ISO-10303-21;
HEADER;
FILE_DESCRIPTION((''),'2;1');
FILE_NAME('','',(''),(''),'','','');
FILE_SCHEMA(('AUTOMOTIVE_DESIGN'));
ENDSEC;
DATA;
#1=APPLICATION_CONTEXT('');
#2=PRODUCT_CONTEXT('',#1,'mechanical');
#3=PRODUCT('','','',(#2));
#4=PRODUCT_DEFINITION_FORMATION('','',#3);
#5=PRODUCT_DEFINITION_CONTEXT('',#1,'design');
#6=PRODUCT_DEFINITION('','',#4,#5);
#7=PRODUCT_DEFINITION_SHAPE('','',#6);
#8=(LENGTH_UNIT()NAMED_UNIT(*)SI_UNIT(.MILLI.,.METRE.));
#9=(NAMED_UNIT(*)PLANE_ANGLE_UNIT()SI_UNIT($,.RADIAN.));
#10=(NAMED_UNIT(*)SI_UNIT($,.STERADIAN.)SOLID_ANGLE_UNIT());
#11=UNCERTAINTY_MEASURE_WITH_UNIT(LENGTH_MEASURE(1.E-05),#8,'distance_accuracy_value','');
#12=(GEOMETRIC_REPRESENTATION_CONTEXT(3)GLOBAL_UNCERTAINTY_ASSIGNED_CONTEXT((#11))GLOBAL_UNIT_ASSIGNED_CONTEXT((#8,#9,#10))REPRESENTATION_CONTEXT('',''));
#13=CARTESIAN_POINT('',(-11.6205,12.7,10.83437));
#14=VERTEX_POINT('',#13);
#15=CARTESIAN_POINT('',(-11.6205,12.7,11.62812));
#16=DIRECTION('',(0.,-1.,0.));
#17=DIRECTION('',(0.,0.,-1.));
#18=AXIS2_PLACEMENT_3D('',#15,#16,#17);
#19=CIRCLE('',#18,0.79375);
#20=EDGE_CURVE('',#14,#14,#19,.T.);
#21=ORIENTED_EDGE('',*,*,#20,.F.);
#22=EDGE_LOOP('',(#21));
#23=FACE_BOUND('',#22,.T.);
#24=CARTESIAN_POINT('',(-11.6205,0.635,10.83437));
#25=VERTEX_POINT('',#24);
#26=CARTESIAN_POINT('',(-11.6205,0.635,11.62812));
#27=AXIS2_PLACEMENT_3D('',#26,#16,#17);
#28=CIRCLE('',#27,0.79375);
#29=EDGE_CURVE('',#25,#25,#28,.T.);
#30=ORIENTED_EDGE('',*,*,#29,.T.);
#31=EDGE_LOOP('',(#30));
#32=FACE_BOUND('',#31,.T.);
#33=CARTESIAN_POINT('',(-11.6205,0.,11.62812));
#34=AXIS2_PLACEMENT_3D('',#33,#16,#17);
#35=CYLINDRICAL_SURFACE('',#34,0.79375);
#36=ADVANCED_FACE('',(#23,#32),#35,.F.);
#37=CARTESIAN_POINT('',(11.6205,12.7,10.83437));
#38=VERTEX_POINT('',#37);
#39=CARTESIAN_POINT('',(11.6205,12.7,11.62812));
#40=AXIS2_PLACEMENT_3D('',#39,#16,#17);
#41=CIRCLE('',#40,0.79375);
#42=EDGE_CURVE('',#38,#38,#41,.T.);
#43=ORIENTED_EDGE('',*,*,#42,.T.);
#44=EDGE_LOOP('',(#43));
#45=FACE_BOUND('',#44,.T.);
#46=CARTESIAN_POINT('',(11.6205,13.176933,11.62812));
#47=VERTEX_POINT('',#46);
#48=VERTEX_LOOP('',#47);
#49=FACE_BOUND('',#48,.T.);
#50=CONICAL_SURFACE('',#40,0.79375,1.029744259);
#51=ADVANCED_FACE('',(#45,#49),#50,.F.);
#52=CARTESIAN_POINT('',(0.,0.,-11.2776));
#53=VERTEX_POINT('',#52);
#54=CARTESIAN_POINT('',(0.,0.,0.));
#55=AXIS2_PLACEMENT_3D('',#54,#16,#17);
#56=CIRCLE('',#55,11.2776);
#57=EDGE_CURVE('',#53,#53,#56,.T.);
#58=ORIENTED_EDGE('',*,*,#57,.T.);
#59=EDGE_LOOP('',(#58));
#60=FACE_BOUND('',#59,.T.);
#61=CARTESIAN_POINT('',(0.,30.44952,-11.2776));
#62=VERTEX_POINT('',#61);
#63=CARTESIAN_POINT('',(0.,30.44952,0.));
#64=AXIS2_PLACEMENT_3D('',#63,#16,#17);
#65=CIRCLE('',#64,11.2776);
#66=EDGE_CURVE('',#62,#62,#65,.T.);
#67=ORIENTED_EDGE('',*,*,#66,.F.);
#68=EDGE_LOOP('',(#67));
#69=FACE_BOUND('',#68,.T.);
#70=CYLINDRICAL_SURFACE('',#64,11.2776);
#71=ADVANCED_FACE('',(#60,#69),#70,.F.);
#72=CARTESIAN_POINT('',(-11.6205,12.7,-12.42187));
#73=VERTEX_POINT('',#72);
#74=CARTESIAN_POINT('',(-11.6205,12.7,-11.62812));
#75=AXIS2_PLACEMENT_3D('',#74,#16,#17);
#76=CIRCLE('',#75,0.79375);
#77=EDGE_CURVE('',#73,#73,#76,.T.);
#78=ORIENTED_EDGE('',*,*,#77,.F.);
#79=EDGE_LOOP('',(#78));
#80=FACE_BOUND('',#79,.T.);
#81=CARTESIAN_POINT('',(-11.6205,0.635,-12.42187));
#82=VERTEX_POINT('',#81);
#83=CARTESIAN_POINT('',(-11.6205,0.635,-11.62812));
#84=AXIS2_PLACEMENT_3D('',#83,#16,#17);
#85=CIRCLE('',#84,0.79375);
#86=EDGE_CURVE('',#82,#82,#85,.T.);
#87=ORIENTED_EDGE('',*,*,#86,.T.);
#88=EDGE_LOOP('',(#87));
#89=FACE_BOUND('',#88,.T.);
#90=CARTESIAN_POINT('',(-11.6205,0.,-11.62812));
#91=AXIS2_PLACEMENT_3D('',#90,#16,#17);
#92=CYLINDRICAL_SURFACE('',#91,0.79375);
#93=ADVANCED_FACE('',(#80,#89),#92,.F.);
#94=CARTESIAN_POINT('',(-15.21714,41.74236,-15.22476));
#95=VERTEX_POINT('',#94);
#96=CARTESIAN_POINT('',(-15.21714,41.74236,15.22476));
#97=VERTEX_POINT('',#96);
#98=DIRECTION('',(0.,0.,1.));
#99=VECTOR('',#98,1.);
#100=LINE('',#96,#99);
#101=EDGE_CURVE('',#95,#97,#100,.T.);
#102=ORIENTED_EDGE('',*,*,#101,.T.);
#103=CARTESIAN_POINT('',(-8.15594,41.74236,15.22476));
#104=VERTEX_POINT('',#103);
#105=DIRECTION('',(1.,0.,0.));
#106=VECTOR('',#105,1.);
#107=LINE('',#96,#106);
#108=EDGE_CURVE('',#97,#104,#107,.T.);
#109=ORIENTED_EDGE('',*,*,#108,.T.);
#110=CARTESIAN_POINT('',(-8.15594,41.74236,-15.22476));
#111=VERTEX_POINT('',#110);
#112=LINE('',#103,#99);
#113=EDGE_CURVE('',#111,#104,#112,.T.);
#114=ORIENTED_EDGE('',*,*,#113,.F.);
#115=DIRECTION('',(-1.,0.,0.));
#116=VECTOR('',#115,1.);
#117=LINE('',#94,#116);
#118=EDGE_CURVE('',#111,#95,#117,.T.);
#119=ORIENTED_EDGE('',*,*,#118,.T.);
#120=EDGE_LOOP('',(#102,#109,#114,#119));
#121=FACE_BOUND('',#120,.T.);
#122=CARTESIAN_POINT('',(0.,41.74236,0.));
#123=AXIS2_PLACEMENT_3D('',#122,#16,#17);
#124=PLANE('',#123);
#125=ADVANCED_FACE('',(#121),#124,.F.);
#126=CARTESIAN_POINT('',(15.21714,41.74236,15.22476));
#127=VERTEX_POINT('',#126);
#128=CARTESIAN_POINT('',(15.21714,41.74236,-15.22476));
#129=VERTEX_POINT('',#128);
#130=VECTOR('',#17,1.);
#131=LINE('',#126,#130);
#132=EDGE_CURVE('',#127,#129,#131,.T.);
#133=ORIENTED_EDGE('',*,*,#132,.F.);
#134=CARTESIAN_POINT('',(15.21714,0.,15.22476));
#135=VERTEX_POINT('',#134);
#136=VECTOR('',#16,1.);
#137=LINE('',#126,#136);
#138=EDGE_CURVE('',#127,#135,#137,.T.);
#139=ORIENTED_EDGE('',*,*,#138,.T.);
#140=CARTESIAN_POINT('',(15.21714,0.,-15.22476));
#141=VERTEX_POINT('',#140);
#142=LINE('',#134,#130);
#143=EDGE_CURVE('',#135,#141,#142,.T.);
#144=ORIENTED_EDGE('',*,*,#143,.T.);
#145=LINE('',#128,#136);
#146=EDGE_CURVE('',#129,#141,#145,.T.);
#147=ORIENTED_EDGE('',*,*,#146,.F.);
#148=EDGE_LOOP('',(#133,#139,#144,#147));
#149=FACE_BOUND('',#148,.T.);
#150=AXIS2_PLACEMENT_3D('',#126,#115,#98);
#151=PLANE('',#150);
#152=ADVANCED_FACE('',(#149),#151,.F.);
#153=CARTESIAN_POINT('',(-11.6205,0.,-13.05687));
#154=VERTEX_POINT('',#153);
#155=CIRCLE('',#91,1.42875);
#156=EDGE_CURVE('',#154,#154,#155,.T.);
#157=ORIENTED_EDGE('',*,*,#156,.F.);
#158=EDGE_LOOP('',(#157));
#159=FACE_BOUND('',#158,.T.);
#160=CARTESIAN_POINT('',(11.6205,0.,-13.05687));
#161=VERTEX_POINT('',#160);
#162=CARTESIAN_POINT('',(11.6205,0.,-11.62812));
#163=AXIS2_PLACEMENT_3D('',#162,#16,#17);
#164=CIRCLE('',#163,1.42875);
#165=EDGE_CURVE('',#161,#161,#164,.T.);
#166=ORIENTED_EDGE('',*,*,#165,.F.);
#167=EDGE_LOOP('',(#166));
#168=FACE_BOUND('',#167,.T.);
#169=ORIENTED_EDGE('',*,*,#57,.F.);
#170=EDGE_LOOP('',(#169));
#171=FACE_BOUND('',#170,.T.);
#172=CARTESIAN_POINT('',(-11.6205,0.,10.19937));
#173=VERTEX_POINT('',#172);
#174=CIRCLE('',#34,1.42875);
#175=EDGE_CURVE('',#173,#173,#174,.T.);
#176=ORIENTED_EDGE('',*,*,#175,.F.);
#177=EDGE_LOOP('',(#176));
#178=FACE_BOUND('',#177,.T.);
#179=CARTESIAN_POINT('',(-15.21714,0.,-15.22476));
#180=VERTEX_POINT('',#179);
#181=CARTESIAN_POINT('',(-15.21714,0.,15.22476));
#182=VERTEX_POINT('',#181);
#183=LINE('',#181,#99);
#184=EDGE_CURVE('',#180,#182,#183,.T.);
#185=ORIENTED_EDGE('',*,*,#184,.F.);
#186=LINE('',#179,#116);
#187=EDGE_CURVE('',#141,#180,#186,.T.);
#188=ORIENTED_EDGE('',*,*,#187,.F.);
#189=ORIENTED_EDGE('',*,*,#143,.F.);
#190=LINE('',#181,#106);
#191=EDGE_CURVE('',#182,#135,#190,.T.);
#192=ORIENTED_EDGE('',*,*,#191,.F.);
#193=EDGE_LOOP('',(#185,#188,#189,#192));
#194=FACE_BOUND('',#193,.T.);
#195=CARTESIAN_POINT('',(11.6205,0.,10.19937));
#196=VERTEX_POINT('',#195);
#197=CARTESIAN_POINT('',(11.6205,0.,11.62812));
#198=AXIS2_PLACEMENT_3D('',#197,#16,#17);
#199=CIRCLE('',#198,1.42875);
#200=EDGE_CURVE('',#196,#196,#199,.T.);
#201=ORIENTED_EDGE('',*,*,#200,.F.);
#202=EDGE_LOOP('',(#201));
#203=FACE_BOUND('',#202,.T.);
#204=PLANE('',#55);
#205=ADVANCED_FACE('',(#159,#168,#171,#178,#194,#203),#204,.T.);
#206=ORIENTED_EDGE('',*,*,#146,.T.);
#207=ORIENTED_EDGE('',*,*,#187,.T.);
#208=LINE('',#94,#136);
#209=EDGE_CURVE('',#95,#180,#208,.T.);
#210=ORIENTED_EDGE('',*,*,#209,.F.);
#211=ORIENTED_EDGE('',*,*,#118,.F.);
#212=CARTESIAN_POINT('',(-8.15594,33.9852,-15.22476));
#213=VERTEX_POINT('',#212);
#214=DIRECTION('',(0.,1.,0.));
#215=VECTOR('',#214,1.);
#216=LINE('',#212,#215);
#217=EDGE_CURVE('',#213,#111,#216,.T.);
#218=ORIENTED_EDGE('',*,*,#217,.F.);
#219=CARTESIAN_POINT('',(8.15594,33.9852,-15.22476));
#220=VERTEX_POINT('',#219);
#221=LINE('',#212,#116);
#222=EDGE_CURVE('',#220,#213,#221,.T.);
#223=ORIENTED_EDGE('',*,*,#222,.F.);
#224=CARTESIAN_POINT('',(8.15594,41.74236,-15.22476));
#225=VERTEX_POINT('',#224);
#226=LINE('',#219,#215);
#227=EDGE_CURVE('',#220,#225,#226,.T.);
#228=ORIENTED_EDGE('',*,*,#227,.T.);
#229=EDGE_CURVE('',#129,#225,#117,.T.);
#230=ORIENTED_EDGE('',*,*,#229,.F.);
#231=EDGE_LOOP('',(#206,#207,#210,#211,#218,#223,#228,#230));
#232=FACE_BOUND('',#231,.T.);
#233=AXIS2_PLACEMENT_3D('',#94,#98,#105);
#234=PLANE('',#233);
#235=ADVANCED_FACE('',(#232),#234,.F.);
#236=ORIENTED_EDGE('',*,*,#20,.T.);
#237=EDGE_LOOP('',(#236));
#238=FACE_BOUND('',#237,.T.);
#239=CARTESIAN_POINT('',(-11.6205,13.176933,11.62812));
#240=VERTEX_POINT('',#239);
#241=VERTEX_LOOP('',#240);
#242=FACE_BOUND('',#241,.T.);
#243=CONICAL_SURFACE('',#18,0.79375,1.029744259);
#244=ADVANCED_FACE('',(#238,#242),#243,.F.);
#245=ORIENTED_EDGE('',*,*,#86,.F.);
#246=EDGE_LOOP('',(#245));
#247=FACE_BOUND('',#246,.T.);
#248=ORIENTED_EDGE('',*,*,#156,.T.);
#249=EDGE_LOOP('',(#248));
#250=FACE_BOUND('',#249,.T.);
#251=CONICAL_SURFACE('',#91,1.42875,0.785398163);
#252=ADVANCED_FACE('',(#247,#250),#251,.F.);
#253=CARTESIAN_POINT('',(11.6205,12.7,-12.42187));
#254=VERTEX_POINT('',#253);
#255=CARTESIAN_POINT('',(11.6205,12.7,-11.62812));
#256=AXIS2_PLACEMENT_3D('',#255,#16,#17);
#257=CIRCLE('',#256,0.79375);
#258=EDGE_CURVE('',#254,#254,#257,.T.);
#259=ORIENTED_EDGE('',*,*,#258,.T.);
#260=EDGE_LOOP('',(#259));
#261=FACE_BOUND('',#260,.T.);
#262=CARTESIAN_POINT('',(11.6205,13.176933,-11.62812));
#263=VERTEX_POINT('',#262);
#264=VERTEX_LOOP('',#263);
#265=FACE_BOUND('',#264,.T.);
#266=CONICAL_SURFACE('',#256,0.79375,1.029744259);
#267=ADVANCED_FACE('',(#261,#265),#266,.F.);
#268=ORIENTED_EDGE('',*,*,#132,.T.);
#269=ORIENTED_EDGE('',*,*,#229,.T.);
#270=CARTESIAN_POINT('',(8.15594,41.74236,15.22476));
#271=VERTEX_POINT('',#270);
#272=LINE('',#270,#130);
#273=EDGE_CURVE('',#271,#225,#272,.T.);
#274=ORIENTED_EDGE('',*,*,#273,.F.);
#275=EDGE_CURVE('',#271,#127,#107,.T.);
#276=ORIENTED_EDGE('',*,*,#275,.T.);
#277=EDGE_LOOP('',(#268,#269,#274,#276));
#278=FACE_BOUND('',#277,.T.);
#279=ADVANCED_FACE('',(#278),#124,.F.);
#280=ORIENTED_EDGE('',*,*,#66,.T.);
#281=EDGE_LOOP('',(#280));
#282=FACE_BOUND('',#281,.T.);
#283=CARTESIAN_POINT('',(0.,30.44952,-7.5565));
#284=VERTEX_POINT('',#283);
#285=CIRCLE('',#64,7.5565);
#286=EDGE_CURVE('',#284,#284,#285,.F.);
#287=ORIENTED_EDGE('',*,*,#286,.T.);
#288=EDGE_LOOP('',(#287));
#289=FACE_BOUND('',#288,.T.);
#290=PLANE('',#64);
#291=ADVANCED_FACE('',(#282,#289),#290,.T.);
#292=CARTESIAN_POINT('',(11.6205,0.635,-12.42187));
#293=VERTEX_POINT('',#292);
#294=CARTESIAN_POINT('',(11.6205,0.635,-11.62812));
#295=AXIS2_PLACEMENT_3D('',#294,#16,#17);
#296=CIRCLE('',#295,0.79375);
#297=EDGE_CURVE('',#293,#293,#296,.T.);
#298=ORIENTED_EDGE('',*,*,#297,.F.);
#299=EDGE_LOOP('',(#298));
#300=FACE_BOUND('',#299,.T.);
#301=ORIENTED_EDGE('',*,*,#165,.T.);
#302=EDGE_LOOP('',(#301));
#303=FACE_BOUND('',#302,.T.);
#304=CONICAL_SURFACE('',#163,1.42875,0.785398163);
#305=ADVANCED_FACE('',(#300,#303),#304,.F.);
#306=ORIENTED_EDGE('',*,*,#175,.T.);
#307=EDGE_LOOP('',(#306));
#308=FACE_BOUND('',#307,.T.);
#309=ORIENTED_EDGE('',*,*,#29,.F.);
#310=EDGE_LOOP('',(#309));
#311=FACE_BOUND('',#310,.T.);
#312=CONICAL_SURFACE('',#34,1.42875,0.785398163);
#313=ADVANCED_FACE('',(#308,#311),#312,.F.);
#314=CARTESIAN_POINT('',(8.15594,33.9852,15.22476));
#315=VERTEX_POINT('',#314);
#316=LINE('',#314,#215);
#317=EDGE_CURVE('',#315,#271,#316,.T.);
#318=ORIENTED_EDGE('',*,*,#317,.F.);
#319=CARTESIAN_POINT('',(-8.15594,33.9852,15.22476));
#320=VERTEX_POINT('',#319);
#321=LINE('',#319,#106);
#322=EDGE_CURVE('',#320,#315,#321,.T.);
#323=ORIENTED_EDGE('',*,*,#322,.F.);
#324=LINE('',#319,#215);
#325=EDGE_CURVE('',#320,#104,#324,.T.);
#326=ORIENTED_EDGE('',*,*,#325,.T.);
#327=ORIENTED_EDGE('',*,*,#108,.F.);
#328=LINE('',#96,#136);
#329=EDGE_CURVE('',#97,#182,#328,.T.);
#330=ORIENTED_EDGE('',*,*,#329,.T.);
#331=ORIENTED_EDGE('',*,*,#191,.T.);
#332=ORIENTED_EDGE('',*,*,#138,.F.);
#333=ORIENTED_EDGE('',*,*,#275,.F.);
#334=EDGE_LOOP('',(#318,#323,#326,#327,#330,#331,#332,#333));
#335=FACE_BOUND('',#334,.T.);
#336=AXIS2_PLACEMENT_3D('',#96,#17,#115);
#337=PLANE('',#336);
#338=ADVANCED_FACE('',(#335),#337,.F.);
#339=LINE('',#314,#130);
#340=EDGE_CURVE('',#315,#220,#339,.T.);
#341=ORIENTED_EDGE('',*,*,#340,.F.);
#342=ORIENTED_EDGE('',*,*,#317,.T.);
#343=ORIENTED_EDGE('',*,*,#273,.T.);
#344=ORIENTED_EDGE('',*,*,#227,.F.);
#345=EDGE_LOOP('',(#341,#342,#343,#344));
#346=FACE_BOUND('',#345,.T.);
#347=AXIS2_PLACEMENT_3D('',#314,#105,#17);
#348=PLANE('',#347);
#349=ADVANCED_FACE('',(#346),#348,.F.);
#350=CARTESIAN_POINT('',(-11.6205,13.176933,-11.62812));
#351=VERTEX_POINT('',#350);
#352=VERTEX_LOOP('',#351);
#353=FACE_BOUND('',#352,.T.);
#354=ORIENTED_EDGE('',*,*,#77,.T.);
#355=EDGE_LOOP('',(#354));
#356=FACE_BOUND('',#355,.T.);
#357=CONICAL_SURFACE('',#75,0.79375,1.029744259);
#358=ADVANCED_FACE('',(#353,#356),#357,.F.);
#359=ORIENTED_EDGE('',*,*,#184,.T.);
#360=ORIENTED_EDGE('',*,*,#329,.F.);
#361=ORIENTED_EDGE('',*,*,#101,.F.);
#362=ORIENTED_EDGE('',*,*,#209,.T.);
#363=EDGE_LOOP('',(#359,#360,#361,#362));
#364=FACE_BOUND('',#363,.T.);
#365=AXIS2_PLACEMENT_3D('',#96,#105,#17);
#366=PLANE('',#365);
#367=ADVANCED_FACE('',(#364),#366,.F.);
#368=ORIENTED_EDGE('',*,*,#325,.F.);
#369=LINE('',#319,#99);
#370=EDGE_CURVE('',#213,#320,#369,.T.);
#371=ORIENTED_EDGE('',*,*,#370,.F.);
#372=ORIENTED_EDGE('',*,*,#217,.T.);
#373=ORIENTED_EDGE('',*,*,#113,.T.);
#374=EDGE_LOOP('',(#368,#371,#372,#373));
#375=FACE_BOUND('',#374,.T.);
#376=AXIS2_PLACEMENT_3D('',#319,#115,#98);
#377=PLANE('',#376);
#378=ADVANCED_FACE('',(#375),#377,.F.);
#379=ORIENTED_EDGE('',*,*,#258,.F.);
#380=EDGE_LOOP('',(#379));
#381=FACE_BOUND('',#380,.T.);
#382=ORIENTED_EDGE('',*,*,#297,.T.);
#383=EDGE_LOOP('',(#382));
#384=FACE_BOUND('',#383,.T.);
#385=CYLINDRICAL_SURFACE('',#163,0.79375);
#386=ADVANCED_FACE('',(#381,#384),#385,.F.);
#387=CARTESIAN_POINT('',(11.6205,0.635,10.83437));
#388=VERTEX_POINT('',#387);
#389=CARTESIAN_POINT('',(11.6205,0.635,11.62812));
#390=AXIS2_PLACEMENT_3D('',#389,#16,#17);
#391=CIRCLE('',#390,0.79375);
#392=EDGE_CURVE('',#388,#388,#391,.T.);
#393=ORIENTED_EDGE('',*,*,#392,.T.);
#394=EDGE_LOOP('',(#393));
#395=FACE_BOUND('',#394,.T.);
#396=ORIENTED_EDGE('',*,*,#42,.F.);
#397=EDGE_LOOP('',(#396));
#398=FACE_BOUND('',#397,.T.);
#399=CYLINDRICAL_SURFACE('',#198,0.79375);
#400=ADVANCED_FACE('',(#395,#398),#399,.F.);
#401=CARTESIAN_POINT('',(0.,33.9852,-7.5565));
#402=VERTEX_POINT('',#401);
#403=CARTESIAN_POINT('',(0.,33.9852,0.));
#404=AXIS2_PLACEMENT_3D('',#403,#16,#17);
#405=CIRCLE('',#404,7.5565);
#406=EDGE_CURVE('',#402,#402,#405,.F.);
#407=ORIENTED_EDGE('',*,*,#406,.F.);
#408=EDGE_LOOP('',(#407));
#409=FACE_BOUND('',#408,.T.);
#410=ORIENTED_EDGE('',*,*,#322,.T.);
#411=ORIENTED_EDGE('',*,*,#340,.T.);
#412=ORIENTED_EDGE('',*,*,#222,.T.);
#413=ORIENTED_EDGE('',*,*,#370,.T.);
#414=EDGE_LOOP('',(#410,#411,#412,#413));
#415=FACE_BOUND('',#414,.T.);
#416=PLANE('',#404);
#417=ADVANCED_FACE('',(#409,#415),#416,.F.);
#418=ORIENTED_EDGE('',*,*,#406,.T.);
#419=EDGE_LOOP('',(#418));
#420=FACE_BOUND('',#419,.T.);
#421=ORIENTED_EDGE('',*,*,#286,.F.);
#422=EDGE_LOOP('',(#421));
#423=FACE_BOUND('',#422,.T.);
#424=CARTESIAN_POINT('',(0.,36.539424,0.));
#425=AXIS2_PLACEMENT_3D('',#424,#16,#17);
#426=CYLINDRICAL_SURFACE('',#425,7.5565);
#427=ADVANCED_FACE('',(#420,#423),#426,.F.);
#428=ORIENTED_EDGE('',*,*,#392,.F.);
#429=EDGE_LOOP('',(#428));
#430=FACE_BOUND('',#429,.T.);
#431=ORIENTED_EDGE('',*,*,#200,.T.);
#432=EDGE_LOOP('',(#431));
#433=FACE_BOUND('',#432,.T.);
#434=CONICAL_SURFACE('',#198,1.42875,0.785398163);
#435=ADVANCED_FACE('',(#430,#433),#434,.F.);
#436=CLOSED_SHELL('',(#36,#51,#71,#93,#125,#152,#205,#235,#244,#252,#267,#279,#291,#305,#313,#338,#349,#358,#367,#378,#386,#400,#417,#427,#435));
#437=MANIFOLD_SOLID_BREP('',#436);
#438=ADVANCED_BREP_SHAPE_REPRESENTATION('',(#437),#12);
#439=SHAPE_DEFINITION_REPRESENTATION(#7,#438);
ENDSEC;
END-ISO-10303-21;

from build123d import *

# Parameters (mm, degrees)
SKETCH1_W                                = 30.43428
SKETCH1_H                                = 30.44952
BOSS_EXTRUDE1_DEPTH                      = 41.74236
SKETCH4_R                                = 7.5565
CUT_EXTRUDE3_DEPTH                       = 36.539424
SKETCH6_W                                = 16.31188
SKETCH6_H                                = 30.44952
CUT_EXTRUDE5_DEPTH                       = 7.75716
SKETCH8_R                                = 11.2776
CUT_EXTRUDE6_DEPTH                       = 30.44952
F_1_16_0_0625_DIAMETER_HOLE1_D           = 1.5875
F_1_16_0_0625_DIAMETER_HOLE1_DEPTH       = 12.7
F_1_16_0_0625_DIAMETER_HOLE1_CSINK_D     = 2.8575
F_1_16_0_0625_DIAMETER_HOLE1_CSINK_ANGLE = 90
F_1_16_0_0625_DIAMETER_HOLE1_TIP         = 0.476933116


with BuildPart() as part:
    # Sketch1 → Boss-Extrude1 (new body)
    with BuildSketch(Plane(origin=(0, 0, 0), x_dir=(1, 0, 0), z_dir=(0, 1, 0))):
        Rectangle(SKETCH1_W, SKETCH1_H)
    extrude(amount=BOSS_EXTRUDE1_DEPTH)

    # Sketch4 → Cut-Extrude3 (cut)
    with BuildSketch(Plane.XZ):
        with Locations(Location((0, 0, 0), (0, 0, 270))):
            Circle(SKETCH4_R)
    extrude(amount=-CUT_EXTRUDE3_DEPTH, mode=Mode.SUBTRACT)

    # Sketch6 → Cut-Extrude5 (cut)
    with BuildSketch(Plane(origin=(0, 41.74236, 0), x_dir=(1, 0, 0), z_dir=(0, 1, 0))):
        Rectangle(SKETCH6_W, SKETCH6_H)
    extrude(amount=-CUT_EXTRUDE5_DEPTH, mode=Mode.SUBTRACT)

    # Sketch8 → Cut-Extrude6 (cut)
    with BuildSketch(Plane.XZ):
        with Locations(Location((0, 0, 0), (0, 0, 270))):
            Circle(SKETCH8_R)
    extrude(amount=-CUT_EXTRUDE6_DEPTH, mode=Mode.SUBTRACT)

    # 1/16 (0.0625) Diameter Hole1
    with Locations(Plane(origin=(0, 0, 0), x_dir=(-1, 0, 0), z_dir=(0, -1, 0))):
        with Locations((-11.6205, 11.62812), (11.6205, 11.62812), (11.6205, -11.62812), (-11.6205, -11.62812)):
            CounterSinkHole(F_1_16_0_0625_DIAMETER_HOLE1_D / 2, F_1_16_0_0625_DIAMETER_HOLE1_CSINK_D / 2, depth=F_1_16_0_0625_DIAMETER_HOLE1_DEPTH, counter_sink_angle=F_1_16_0_0625_DIAMETER_HOLE1_CSINK_ANGLE)
            with Locations((0, 0, -(F_1_16_0_0625_DIAMETER_HOLE1_DEPTH + F_1_16_0_0625_DIAMETER_HOLE1_TIP / 2))):  # 118° drill point
                Cone(0, F_1_16_0_0625_DIAMETER_HOLE1_D / 2, F_1_16_0_0625_DIAMETER_HOLE1_TIP, mode=Mode.SUBTRACT)


solid = part.part
